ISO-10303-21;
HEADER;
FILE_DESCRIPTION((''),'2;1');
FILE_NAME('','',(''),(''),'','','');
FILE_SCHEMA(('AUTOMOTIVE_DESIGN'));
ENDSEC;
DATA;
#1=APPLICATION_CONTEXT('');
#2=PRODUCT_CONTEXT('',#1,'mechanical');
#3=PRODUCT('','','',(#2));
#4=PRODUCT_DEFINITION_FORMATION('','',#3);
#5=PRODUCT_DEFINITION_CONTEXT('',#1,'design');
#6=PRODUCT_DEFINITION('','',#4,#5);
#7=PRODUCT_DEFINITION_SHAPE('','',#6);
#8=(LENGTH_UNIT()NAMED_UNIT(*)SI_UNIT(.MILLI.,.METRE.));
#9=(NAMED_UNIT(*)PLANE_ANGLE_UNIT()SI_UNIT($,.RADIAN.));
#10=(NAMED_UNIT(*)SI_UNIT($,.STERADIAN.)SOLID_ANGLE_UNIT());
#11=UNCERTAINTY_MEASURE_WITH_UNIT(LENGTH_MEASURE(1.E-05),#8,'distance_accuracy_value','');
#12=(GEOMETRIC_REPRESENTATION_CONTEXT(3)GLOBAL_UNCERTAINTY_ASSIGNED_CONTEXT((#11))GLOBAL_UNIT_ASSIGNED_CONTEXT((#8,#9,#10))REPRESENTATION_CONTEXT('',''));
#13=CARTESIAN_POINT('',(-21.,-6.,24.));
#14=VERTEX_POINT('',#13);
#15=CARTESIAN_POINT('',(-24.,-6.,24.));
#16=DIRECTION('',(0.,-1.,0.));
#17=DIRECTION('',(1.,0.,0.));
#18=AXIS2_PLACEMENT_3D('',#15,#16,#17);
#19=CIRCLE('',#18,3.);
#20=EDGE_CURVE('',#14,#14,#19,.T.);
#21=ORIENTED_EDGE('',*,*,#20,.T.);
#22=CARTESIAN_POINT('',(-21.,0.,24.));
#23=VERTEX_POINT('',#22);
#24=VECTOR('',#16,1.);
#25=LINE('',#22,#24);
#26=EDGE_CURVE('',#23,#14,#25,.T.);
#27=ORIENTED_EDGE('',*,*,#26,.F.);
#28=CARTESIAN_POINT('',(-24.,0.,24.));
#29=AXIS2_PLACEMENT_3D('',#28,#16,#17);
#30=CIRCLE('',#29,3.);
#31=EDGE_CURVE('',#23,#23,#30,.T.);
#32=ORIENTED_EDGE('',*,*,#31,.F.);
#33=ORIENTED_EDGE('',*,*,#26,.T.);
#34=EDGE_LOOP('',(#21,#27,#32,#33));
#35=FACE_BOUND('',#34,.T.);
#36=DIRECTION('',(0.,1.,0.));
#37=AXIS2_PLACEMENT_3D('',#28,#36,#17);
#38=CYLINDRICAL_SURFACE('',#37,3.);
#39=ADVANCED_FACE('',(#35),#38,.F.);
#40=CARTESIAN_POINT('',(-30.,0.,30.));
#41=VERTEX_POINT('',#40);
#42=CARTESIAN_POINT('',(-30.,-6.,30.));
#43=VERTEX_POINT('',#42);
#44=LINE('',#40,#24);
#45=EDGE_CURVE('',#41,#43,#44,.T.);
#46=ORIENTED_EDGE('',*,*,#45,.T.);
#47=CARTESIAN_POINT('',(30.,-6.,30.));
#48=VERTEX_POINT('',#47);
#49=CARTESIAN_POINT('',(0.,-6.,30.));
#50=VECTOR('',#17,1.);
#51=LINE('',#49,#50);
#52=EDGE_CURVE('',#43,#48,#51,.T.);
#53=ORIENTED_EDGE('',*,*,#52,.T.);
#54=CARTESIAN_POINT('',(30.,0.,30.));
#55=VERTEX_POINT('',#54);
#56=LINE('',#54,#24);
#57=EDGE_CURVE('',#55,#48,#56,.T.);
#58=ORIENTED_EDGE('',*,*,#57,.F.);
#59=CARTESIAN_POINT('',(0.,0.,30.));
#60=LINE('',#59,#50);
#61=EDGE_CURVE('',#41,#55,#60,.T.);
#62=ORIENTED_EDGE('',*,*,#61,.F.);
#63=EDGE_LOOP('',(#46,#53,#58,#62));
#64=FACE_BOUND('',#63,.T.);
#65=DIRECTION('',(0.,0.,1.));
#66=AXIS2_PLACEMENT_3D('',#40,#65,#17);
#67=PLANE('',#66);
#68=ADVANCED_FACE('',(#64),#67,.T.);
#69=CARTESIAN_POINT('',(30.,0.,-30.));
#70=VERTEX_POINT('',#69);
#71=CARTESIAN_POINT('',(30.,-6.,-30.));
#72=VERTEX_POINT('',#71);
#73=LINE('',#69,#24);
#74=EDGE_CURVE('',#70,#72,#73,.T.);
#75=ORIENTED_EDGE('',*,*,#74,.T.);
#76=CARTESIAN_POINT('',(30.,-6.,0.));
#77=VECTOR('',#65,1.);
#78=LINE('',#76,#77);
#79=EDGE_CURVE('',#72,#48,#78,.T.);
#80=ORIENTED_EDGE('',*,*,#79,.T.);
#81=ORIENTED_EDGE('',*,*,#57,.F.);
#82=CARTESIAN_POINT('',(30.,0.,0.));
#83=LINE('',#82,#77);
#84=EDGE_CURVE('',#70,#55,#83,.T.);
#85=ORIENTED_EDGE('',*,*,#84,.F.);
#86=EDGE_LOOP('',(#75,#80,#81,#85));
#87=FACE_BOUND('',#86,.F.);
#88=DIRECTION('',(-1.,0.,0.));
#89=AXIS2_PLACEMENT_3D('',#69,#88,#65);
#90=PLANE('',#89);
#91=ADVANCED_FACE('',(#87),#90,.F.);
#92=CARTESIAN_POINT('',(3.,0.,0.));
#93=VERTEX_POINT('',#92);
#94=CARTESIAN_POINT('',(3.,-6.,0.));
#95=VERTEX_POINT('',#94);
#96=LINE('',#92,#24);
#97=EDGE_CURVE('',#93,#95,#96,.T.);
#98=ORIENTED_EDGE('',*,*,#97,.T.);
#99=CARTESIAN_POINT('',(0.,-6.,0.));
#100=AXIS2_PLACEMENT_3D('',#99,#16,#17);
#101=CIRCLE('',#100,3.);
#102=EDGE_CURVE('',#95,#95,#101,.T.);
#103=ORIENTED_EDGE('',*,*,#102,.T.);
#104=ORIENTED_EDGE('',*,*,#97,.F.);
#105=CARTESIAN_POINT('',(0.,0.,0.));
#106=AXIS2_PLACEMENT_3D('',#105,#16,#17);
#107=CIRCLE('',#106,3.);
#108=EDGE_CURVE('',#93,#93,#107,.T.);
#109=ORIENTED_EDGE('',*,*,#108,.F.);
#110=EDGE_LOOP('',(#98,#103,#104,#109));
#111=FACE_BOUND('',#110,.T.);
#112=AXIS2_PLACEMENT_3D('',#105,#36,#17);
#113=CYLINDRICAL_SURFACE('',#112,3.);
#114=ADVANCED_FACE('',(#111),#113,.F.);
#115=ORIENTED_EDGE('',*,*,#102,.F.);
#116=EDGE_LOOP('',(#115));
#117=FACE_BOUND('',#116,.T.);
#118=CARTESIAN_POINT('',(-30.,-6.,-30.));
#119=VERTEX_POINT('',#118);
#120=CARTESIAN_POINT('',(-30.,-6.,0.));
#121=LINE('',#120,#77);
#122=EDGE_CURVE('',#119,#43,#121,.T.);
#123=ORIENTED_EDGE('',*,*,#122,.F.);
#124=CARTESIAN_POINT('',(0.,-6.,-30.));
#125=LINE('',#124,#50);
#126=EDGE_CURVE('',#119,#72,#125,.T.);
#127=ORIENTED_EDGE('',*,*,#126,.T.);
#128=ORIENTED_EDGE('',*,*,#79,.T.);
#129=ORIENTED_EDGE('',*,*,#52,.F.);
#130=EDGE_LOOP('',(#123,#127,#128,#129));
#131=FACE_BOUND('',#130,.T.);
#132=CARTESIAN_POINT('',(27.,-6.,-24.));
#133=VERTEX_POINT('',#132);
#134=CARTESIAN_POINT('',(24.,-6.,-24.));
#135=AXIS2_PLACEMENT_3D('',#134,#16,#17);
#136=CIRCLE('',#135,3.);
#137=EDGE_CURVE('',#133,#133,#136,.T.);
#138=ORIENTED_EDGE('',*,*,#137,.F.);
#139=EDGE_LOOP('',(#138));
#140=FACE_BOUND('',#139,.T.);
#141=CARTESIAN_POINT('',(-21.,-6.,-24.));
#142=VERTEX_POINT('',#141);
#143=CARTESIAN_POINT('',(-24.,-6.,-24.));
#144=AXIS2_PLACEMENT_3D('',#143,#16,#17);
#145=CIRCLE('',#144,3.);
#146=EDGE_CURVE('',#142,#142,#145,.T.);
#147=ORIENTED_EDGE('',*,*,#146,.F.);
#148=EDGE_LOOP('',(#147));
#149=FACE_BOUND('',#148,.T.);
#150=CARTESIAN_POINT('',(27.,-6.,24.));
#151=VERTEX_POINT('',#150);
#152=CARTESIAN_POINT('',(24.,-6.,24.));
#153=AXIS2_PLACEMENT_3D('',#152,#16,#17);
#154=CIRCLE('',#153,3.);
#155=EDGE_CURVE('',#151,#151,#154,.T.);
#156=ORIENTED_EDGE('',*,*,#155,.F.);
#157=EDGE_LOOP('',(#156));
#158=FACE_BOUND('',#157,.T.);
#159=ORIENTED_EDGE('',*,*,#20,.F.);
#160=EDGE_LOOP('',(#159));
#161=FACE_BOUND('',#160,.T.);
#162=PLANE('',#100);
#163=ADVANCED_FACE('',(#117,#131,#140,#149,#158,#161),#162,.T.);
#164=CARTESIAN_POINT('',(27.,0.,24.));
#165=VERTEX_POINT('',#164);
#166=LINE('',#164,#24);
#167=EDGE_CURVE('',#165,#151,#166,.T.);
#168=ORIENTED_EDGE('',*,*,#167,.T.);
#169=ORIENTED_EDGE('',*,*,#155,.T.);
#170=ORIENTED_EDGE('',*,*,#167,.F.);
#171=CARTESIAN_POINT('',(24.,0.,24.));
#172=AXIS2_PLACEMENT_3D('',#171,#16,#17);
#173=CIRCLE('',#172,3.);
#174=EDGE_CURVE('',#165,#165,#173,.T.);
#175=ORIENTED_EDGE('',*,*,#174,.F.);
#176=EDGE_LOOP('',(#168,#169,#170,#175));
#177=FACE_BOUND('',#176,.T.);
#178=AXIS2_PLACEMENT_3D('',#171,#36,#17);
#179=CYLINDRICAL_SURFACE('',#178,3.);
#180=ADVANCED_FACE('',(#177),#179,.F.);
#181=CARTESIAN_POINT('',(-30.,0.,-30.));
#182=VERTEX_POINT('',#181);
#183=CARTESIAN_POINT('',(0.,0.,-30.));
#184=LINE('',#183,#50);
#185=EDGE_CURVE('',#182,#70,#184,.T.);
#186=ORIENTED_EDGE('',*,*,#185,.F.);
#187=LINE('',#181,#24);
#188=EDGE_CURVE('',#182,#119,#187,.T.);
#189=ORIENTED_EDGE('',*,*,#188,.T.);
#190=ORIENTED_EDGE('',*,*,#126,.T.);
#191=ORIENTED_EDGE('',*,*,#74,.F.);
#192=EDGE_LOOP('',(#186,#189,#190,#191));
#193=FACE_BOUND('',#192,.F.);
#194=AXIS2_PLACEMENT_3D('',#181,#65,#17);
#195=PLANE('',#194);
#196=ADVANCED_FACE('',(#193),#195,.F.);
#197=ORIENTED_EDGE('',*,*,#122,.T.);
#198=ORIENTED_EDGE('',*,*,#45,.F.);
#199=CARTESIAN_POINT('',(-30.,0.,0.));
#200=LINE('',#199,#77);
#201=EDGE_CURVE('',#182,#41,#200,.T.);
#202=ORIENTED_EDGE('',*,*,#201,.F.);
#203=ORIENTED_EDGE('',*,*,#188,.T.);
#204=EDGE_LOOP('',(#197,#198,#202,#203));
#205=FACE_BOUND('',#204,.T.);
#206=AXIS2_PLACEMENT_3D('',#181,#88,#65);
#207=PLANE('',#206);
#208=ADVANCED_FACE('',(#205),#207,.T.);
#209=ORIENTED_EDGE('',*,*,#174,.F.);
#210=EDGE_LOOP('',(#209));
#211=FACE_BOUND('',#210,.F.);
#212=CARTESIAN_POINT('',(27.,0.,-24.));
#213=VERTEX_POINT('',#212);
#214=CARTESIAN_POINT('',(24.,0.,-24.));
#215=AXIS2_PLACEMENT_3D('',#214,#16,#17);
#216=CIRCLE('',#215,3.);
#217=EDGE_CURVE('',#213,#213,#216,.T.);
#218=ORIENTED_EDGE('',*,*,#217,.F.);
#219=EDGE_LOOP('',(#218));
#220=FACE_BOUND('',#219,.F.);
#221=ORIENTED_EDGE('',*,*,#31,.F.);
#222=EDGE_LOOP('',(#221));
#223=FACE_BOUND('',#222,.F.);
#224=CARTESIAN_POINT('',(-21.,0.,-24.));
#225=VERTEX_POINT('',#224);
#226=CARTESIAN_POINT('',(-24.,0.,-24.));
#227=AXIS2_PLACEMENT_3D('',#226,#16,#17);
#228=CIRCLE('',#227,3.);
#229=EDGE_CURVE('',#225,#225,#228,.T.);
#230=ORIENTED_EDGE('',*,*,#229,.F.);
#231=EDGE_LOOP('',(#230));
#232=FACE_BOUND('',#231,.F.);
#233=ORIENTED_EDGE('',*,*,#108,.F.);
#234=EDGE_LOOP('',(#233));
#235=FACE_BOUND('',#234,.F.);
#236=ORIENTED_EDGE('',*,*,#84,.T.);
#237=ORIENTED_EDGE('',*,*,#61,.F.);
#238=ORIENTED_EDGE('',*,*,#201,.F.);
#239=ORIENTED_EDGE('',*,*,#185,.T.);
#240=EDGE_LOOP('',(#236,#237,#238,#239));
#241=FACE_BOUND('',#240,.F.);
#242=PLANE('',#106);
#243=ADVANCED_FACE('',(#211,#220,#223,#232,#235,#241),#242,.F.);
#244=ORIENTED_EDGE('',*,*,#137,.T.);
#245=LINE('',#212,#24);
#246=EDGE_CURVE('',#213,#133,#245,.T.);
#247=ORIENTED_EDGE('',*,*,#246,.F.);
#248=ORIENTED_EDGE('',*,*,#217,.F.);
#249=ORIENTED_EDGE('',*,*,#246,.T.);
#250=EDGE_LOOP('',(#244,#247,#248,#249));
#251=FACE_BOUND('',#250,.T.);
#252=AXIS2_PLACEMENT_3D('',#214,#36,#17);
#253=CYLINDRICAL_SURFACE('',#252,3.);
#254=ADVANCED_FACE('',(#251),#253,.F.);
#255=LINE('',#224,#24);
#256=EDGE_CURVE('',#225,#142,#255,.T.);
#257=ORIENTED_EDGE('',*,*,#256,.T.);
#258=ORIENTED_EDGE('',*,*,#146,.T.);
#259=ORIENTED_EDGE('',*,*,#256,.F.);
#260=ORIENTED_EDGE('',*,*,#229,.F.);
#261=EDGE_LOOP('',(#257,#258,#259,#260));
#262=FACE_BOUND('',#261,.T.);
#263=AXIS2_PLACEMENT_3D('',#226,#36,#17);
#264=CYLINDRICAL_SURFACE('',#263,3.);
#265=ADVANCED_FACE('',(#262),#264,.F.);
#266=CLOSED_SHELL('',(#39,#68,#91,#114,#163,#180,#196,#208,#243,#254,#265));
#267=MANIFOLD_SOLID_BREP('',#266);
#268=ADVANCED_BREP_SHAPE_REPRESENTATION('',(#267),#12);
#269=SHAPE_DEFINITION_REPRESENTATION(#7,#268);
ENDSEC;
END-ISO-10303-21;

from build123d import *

# Parameters (mm, degrees)
F0_W     = 60
F0_H     = 60
F0_R     = 3
F1_DEPTH = 6


with BuildPart() as f1:
    # F0 (on Front) → F1 (new body)
    with BuildSketch(Plane.XZ):
        Rectangle(F0_W, F0_H)
        with Locations((-24, -24)):
            Circle(F0_R, mode=Mode.SUBTRACT)
        with Locations((24, -24)):
            Circle(F0_R, mode=Mode.SUBTRACT)
        with Locations((-24, 24)):
            Circle(F0_R, mode=Mode.SUBTRACT)
        Circle(F0_R, mode=Mode.SUBTRACT)
        with Locations((24, 24)):
            Circle(F0_R, mode=Mode.SUBTRACT)
    extrude(amount=F1_DEPTH)


solid = f1.part
